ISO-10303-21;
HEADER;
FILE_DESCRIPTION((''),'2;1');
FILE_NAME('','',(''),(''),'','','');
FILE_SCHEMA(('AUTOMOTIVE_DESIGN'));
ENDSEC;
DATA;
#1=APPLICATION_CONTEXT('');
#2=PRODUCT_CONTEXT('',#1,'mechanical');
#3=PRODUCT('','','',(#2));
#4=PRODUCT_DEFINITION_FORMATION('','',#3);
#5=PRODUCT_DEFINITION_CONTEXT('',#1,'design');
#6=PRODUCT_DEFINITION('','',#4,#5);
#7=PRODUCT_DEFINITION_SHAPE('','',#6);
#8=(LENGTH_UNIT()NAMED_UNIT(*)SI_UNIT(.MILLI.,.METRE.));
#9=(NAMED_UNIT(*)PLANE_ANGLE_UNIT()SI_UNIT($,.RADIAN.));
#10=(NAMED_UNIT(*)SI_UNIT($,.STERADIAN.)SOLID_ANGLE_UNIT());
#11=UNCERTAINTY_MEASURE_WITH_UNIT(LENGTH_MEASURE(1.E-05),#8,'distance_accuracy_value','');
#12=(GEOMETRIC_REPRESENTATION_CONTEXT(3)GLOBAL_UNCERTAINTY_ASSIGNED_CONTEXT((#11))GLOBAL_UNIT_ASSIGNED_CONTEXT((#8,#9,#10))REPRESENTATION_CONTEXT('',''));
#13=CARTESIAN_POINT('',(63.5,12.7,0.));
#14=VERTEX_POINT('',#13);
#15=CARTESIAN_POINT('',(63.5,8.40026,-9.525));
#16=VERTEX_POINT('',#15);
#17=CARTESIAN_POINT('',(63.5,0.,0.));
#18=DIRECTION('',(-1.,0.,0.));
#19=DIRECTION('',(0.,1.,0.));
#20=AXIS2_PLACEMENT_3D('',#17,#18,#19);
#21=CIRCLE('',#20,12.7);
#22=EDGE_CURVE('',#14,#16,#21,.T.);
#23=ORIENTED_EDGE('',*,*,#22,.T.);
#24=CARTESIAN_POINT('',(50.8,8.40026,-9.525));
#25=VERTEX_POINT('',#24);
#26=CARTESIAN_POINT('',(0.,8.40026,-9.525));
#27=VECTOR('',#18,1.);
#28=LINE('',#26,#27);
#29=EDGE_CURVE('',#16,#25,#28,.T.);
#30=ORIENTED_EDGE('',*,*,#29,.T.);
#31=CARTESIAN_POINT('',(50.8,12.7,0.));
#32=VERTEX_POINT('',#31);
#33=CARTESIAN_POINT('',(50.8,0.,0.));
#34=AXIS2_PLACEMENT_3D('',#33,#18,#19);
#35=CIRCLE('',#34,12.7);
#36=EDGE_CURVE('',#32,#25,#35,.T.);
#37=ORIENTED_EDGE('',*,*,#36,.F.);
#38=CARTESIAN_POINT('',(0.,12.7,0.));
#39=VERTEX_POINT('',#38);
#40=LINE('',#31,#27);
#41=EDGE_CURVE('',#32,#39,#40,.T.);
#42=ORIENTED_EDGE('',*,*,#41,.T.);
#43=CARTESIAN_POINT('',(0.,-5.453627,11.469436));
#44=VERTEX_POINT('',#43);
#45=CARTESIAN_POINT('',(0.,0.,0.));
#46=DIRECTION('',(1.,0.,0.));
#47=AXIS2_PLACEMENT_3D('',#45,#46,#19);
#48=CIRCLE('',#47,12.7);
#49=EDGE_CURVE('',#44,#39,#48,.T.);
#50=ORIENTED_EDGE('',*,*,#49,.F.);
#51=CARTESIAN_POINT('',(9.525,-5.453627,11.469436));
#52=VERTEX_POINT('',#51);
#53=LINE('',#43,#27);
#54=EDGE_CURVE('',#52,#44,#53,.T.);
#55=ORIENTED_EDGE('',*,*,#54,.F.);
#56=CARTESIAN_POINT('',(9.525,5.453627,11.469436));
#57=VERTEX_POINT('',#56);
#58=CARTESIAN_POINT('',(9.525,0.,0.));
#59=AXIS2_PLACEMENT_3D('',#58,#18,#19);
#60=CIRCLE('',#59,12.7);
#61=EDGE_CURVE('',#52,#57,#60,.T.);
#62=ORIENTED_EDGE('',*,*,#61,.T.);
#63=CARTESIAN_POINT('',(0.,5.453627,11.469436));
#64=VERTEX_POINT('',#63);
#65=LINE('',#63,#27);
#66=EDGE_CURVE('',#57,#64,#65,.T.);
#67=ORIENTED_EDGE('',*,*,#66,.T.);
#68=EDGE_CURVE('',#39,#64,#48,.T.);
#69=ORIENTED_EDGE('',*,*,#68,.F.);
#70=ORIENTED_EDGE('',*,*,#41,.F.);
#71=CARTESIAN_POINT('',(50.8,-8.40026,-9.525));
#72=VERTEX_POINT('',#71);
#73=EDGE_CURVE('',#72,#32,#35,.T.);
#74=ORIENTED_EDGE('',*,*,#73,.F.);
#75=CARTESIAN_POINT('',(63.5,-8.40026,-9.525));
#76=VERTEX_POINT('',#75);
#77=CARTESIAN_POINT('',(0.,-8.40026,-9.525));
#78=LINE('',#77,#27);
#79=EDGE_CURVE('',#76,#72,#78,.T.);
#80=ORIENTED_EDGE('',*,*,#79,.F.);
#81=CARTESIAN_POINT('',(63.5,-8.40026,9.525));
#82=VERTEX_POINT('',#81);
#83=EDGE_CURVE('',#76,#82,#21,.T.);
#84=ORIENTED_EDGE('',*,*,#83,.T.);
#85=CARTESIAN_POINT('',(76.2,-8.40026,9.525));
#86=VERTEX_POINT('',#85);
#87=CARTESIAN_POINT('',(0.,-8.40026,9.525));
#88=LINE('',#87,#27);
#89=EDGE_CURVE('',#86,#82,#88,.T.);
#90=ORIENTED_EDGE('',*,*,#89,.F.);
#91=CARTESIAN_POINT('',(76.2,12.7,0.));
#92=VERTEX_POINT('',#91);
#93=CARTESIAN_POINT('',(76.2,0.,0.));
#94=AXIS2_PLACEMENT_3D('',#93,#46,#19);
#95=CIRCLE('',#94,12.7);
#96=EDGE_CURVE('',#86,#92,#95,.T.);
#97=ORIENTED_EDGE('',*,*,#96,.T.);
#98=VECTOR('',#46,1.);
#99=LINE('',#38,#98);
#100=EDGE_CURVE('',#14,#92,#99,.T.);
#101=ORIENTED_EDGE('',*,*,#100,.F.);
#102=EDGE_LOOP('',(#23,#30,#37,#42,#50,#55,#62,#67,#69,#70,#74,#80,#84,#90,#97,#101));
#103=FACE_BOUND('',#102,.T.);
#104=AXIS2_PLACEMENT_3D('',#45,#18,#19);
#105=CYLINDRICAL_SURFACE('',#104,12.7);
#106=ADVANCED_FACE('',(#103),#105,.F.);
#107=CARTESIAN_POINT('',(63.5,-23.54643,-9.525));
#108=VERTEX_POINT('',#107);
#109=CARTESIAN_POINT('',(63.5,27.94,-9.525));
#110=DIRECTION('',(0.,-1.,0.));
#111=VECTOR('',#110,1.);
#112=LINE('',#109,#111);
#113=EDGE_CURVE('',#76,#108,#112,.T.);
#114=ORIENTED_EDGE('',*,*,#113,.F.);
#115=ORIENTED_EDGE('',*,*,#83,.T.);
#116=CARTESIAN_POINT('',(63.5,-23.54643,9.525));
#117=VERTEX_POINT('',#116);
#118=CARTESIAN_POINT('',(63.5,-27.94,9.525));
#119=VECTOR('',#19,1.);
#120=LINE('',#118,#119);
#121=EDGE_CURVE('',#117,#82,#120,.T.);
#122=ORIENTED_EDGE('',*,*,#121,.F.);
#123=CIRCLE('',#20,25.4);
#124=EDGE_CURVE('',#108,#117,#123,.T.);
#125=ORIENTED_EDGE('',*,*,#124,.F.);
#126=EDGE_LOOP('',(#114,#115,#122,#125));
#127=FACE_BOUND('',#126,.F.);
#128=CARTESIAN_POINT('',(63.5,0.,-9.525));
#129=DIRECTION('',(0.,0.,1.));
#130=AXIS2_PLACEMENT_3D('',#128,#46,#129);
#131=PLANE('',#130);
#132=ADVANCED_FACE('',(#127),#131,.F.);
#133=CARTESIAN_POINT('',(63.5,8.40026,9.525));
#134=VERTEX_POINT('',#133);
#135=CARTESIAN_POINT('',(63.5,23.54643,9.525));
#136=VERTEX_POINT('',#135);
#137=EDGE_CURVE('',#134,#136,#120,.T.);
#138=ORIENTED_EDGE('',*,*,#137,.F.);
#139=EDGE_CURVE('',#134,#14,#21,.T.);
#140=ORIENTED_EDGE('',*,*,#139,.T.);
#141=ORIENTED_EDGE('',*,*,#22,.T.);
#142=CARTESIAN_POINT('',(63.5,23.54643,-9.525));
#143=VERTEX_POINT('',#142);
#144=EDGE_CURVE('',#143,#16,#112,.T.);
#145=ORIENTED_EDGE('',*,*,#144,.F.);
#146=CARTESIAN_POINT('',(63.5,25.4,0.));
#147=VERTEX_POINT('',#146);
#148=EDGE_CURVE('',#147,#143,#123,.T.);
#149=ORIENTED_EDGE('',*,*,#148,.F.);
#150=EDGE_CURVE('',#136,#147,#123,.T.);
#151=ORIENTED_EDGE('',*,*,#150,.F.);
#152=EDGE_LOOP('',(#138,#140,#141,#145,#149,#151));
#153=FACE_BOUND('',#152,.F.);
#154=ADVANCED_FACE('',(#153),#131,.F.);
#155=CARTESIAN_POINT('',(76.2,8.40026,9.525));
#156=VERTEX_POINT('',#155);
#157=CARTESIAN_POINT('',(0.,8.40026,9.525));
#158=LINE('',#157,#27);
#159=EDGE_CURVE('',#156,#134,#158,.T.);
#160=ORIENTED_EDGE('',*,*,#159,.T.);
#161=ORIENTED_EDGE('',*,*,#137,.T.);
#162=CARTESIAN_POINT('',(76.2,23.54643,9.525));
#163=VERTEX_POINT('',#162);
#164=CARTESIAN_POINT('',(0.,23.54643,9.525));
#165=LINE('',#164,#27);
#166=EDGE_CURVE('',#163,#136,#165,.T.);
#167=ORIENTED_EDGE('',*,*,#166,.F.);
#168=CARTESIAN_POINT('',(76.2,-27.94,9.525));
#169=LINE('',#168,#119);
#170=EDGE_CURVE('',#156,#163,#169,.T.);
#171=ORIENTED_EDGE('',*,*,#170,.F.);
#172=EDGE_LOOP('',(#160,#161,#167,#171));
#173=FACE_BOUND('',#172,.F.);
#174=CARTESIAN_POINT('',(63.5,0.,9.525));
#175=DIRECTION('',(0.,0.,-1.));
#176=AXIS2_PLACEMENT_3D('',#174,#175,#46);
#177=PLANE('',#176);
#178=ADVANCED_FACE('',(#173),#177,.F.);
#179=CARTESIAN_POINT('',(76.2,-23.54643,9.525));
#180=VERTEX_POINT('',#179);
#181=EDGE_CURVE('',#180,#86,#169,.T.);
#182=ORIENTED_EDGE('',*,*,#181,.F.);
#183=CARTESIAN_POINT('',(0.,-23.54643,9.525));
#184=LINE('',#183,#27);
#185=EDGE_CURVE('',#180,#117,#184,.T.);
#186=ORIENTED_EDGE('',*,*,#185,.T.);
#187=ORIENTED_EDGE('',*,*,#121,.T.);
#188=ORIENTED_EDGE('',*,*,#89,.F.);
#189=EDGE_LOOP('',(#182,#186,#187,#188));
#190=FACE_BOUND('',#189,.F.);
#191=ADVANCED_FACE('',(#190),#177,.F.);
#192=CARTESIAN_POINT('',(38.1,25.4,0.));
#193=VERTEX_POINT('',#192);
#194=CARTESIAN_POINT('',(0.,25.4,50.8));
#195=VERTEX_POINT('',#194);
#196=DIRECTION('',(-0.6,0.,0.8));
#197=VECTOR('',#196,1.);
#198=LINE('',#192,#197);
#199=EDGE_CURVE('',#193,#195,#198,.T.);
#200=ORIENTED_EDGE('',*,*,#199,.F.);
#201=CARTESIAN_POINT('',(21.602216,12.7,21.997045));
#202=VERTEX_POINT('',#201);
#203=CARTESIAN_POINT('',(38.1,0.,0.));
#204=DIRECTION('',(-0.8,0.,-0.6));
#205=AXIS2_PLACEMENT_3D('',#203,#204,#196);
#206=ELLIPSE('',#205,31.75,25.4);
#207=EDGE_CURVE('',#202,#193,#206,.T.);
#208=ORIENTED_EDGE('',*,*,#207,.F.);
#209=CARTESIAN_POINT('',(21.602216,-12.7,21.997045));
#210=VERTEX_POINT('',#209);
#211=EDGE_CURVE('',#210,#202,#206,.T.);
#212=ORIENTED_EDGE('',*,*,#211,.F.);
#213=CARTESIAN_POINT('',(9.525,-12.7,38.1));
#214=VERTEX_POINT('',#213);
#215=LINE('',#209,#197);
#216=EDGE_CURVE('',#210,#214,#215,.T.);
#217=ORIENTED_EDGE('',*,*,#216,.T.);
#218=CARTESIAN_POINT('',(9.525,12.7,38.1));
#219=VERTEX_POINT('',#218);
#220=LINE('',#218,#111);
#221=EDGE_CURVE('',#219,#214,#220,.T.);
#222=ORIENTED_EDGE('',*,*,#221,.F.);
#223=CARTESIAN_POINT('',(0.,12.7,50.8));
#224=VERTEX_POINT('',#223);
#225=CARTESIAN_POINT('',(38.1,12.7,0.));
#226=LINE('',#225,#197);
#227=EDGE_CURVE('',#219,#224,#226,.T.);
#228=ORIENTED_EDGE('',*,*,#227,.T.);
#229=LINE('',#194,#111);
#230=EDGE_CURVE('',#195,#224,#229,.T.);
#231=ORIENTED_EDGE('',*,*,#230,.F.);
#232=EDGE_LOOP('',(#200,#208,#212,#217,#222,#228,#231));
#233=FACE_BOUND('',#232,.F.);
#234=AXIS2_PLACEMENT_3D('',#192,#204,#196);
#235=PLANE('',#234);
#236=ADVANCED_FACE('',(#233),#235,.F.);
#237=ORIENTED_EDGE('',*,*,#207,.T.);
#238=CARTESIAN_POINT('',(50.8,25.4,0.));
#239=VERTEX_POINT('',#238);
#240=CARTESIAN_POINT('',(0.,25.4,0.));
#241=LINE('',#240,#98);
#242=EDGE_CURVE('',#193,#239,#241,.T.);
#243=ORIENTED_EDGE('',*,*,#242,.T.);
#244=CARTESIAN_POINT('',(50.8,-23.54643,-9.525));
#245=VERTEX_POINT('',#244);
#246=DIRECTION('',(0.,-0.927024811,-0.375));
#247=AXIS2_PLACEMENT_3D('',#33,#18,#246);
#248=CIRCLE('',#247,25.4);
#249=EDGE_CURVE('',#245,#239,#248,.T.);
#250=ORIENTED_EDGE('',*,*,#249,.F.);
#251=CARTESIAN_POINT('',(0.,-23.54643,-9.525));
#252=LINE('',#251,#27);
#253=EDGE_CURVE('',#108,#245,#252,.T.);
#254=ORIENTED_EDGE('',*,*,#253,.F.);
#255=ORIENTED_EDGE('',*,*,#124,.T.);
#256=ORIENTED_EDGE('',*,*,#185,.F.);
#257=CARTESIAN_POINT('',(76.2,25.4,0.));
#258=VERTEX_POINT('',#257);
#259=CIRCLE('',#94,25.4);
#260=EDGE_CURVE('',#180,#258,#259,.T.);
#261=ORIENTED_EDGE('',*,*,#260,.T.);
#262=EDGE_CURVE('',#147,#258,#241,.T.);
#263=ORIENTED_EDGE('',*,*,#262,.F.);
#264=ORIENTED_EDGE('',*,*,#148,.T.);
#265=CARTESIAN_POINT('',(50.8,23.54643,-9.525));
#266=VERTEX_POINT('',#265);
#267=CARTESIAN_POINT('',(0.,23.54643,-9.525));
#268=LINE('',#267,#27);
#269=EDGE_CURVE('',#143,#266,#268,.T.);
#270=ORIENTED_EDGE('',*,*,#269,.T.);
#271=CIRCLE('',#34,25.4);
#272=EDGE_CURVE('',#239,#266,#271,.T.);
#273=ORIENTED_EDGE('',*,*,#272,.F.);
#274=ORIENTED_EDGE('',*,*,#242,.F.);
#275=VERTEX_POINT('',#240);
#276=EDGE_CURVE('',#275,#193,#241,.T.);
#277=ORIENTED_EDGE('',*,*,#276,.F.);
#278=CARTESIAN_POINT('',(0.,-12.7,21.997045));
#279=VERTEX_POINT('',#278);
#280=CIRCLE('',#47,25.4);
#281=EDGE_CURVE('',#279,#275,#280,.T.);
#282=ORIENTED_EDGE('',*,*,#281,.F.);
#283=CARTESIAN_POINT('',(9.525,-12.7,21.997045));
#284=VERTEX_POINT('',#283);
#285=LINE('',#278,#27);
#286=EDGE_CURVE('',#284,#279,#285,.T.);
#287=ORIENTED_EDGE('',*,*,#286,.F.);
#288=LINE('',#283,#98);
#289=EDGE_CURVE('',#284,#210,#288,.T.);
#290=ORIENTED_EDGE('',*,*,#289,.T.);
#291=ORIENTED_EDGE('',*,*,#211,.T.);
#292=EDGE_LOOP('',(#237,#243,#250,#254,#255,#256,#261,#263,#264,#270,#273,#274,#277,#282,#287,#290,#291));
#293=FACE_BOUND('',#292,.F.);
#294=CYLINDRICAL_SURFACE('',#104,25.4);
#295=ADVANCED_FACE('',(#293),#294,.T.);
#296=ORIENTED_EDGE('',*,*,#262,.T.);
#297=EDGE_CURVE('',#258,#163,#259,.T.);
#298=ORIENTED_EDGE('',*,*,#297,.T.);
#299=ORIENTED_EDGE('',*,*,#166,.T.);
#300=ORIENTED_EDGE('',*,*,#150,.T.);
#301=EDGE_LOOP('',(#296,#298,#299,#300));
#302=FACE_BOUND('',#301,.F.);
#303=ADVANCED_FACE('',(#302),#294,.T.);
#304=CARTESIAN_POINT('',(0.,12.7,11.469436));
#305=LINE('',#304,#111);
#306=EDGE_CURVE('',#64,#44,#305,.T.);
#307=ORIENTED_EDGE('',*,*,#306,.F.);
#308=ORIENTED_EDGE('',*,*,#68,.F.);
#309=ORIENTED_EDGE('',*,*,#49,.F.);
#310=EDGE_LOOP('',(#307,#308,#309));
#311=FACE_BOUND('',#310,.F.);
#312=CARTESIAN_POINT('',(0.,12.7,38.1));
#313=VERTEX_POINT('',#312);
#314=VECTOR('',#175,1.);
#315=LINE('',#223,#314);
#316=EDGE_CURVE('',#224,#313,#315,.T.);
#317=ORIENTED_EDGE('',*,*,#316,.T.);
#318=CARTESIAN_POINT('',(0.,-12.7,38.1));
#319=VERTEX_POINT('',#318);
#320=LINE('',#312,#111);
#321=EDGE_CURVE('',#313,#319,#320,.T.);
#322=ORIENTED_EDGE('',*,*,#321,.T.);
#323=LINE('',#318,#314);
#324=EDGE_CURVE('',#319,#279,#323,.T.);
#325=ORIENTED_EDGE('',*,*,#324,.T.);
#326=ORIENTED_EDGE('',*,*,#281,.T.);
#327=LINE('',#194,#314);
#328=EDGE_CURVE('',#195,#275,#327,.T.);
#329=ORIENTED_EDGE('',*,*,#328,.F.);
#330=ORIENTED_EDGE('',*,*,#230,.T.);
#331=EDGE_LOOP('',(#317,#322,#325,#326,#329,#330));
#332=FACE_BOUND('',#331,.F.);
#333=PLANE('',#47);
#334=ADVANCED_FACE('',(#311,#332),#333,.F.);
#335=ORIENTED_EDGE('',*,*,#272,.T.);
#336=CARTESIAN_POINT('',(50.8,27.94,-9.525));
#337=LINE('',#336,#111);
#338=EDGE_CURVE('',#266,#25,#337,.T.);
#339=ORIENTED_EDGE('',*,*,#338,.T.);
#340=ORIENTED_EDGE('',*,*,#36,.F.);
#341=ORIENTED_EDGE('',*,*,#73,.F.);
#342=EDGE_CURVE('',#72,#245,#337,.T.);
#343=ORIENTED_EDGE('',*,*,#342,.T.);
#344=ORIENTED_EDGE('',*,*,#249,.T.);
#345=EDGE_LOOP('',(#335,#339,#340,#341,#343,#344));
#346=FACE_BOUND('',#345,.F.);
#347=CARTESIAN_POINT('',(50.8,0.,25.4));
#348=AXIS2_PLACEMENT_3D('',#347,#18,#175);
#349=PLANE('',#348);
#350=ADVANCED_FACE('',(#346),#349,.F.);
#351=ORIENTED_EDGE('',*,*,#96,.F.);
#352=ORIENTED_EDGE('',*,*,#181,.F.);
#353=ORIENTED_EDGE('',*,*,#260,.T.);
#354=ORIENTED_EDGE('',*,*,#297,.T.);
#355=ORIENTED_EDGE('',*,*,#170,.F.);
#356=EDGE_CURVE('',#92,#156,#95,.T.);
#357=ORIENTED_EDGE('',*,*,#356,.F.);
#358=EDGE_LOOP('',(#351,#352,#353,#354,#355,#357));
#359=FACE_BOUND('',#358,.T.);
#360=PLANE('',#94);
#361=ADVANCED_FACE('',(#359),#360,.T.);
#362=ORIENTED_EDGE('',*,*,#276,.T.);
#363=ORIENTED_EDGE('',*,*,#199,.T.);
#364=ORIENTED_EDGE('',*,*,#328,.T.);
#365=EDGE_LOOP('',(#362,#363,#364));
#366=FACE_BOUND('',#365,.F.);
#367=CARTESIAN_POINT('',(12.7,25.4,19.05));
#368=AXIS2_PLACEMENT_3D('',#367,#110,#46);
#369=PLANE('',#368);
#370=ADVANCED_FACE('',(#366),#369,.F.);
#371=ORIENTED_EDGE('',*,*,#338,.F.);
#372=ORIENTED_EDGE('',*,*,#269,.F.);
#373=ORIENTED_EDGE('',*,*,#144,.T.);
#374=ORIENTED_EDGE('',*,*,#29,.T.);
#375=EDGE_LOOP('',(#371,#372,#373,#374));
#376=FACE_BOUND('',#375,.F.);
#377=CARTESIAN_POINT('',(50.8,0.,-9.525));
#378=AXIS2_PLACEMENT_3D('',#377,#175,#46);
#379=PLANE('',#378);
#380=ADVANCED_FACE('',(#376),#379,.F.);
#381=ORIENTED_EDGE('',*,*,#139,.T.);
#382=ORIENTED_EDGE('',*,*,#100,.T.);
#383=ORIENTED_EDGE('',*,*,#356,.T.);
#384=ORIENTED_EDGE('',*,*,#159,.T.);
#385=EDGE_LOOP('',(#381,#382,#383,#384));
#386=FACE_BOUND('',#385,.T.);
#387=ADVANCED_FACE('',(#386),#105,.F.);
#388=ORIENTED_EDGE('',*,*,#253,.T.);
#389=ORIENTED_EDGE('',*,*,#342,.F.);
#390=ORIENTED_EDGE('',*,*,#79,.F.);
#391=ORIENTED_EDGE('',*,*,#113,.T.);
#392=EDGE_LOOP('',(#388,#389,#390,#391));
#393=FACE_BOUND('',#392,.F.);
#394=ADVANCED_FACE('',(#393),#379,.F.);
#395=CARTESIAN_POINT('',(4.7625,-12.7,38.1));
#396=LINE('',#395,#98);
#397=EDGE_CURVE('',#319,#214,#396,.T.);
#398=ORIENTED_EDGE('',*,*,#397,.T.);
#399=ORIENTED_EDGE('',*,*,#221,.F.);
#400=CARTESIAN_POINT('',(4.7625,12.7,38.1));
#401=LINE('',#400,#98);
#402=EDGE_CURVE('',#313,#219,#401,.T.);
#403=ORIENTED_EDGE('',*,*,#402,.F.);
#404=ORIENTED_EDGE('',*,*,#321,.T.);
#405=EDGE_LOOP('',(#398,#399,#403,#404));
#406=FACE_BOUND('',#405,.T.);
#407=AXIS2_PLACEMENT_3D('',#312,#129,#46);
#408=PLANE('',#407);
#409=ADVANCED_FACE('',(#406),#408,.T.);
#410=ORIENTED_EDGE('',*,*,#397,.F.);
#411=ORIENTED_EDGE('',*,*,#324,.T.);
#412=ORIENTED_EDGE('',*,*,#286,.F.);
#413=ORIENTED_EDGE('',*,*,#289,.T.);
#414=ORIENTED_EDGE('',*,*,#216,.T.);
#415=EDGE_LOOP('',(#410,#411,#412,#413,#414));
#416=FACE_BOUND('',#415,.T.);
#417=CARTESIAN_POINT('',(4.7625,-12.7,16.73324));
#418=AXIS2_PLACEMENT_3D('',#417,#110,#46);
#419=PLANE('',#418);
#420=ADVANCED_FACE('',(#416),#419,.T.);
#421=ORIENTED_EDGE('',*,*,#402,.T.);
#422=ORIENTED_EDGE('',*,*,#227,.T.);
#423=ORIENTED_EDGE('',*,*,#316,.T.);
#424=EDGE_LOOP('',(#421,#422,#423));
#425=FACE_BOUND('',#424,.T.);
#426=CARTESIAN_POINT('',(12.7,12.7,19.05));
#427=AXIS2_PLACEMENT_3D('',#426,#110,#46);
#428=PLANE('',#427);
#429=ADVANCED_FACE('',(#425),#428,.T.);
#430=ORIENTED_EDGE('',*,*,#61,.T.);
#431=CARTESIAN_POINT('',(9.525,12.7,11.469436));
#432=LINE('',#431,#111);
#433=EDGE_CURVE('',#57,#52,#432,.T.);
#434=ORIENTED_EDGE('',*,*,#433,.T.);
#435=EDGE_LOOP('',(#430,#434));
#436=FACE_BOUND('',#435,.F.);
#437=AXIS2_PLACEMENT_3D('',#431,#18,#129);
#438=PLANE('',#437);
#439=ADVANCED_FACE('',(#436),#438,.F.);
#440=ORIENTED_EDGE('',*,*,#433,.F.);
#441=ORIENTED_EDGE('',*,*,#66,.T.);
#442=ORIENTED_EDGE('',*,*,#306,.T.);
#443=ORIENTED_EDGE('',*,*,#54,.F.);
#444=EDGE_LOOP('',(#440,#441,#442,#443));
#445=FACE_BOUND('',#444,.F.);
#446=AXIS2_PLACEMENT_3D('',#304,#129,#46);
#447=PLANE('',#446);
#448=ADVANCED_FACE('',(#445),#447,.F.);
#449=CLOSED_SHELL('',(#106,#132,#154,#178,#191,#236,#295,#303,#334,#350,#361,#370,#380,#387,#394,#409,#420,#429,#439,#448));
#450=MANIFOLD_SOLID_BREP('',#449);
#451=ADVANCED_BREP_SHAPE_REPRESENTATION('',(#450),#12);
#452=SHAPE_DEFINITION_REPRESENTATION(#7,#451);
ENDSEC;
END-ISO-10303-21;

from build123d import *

# Parameters (mm, degrees)
F0_R     = 25.4
F0_R_2   = 12.7
F1_DEPTH = 76.2
F3_DEPTH = 27.94
F6_DEPTH = 12.7
F7_W     = 9.525
F7_H     = 10.5276096967
F7_H_2   = 16.1029547439
F8_DEPTH = 25.4


with BuildPart() as f1:
    # F0 (on Right) → F1 (new body)
    with BuildSketch(Plane.YZ):
        Circle(F0_R)
        Circle(F0_R_2, mode=Mode.SUBTRACT)
    extrude(amount=F1_DEPTH)

    # F2 (on Front) → F3 (cut, symmetric)
    with BuildSketch(Plane.XZ):
        Polygon((76.2, 25.4), (50.8, 25.4), (50.8, -9.525), (63.5, -9.525), (63.5, 9.525), (76.2, 9.525), align=None)
    extrude(amount=F3_DEPTH, both=True, mode=Mode.SUBTRACT)

    # F5 (on offset) → F6 (join)
    with BuildSketch(Plane.XZ.offset(-25.4)):
        Polygon((0, 0), (38.1, 0), (0, 50.8), align=None)
    extrude(amount=F6_DEPTH)

    # F7 (on face) → F8 (join)
    with BuildSketch(Plane.XZ.offset(-12.7)):
        with Locations((4.7625, 16.7332404078)):
            Rectangle(F7_W, F7_H)
        Polygon((21.6022160579, 21.9970452561), (9.525, 38.1), (9.525, 21.9970452561), align=None)
        with Locations((4.7625, 30.0485226281)):
            Rectangle(F7_W, F7_H_2)
    extrude(amount=F8_DEPTH)


solid = f1.part
